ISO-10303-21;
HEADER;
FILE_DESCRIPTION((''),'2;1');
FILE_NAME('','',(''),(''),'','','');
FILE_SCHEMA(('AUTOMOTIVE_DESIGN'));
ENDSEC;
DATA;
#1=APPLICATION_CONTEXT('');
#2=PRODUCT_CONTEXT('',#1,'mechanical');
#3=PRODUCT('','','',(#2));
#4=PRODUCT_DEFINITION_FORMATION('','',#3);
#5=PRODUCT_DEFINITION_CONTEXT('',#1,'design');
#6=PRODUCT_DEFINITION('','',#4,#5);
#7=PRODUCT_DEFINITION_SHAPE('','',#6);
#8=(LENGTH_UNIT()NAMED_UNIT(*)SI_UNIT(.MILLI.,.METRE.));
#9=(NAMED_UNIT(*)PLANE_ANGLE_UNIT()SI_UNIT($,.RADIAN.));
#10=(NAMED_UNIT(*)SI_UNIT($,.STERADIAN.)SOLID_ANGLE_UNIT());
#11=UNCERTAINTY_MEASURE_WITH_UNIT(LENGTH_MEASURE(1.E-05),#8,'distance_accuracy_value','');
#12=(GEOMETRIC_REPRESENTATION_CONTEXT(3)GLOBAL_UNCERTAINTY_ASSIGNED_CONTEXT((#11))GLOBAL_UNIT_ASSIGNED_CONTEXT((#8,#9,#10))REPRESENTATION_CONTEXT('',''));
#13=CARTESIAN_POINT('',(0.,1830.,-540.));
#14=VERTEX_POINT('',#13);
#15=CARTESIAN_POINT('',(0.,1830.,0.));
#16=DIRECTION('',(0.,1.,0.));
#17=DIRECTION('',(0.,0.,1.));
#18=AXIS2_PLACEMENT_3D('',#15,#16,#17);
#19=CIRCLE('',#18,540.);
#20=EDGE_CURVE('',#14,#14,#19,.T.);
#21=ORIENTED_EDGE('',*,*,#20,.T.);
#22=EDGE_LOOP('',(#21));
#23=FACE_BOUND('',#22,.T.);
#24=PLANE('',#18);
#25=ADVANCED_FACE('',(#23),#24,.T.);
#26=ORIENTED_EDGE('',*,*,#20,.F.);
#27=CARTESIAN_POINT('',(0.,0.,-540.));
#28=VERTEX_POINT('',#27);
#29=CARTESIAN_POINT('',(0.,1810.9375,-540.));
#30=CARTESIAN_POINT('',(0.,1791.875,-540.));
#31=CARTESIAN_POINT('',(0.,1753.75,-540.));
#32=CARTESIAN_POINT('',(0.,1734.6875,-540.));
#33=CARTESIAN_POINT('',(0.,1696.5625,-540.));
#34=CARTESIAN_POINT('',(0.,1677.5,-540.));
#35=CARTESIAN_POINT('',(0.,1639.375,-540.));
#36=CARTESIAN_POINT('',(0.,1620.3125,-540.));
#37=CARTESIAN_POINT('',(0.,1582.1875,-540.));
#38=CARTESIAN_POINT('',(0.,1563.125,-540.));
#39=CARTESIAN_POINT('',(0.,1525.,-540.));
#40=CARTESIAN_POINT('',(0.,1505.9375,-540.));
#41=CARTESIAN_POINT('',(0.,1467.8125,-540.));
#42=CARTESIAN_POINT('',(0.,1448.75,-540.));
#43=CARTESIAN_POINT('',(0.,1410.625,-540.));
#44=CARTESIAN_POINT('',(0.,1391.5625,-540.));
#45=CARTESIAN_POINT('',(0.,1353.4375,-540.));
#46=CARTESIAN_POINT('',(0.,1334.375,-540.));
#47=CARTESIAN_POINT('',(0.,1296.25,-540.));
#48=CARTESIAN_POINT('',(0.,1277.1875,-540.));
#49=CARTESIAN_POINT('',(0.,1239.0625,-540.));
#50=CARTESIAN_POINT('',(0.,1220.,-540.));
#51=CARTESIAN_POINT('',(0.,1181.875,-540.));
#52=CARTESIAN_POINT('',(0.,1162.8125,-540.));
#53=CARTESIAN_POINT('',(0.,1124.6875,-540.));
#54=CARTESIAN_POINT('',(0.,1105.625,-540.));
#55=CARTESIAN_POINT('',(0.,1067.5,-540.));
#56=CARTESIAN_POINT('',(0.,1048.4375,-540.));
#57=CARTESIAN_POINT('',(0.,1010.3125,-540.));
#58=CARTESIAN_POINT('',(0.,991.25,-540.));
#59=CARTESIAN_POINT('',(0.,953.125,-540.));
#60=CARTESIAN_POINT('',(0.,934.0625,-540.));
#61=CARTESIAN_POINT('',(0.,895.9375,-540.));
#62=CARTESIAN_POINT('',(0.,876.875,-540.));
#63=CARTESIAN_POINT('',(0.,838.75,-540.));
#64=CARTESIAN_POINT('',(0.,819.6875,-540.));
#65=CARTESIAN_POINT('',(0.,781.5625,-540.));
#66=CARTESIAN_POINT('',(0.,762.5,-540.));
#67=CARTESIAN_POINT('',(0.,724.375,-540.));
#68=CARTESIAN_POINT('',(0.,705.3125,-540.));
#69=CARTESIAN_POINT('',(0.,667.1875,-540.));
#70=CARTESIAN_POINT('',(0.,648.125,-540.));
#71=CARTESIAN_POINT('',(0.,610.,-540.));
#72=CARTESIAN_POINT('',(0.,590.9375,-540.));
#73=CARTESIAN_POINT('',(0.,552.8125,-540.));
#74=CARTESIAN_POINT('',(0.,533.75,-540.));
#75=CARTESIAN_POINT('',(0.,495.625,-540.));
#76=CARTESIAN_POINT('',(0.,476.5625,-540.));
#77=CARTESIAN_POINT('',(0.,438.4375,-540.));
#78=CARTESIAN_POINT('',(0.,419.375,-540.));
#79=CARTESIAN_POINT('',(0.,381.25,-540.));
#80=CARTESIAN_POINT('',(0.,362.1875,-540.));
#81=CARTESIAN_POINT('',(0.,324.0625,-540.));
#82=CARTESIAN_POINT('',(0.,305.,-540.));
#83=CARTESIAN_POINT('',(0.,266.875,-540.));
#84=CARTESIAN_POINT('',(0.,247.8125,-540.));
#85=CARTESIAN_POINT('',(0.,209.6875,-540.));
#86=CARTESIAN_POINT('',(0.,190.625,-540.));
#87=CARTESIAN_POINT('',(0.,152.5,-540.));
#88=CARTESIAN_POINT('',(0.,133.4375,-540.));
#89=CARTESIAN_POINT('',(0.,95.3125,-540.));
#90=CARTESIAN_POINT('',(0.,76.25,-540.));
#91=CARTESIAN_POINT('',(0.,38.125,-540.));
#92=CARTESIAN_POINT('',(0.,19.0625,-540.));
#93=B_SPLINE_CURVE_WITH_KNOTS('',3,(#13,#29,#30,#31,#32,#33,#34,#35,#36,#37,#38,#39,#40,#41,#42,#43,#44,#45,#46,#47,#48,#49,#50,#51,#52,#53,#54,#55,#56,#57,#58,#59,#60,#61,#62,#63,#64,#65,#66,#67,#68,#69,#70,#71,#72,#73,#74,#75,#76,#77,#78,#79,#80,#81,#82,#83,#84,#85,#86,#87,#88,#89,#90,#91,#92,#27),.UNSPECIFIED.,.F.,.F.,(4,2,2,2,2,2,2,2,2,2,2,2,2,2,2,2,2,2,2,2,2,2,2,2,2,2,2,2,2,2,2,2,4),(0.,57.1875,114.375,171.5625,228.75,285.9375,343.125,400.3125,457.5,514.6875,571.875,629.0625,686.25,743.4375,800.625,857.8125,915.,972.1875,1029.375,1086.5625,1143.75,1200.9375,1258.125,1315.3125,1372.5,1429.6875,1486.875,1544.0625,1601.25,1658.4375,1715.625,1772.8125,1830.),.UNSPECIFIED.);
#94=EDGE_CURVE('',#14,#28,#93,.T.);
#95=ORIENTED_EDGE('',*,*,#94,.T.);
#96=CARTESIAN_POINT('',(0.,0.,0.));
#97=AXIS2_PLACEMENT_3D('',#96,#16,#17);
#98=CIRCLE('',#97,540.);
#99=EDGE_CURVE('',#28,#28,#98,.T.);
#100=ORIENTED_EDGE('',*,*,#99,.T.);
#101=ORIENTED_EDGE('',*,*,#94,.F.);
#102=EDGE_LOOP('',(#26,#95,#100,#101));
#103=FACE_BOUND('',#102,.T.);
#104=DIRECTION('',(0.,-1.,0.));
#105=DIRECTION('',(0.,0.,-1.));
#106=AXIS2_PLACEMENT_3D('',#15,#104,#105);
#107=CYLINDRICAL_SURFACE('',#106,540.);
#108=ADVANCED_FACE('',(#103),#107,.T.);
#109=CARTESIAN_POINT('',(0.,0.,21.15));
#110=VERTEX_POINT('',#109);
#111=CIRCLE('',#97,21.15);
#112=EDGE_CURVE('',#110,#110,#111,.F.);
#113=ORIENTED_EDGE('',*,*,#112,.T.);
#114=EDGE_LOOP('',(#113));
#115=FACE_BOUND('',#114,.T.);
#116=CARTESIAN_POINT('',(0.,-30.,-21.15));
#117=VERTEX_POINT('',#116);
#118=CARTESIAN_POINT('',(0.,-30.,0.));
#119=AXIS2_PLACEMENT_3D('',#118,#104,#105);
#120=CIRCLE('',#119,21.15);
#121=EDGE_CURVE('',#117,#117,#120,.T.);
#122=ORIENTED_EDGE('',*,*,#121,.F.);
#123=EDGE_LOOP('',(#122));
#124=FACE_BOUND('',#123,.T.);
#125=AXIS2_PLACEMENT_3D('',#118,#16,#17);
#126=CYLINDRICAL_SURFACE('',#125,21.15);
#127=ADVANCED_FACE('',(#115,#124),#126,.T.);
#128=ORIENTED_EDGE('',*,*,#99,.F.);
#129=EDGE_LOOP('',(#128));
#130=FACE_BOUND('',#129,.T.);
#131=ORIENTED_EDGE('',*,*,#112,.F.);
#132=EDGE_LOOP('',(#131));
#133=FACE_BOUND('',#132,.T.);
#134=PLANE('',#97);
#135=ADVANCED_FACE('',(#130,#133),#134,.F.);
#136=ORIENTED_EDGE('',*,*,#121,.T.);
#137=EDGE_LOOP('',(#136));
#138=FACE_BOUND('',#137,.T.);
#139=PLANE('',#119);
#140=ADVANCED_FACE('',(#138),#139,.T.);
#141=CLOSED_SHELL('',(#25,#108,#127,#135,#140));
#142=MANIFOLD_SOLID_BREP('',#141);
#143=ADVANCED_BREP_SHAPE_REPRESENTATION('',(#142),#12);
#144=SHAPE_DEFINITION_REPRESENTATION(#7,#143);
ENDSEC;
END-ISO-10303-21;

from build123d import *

# Parameters (mm, degrees)
SKETCH_1_R      = 540
EXTRUDE_1_DEPTH = 1830
SKETCH_4_R      = 21.15
EXTRUDE_4_DEPTH = 30


with BuildPart() as part:
    # Эскиз1 → Бобышка-Вытянуть1 (new body)
    with BuildSketch(Plane(origin=(0, 0, 0), x_dir=(1, 0, 0), z_dir=(0, 1, 0))):
        with Locations(Location((0, 0, 0), (0, 0, 90))):
            Circle(SKETCH_1_R)
    extrude(amount=EXTRUDE_1_DEPTH)

    # Эскиз4 → Бобышка-Вытянуть4 (add)
    with BuildSketch(Plane.XZ):
        with Locations(Location((0, 0, 0), (0, 0, 90))):
            Circle(SKETCH_4_R)
    extrude(amount=EXTRUDE_4_DEPTH)


solid = part.part
